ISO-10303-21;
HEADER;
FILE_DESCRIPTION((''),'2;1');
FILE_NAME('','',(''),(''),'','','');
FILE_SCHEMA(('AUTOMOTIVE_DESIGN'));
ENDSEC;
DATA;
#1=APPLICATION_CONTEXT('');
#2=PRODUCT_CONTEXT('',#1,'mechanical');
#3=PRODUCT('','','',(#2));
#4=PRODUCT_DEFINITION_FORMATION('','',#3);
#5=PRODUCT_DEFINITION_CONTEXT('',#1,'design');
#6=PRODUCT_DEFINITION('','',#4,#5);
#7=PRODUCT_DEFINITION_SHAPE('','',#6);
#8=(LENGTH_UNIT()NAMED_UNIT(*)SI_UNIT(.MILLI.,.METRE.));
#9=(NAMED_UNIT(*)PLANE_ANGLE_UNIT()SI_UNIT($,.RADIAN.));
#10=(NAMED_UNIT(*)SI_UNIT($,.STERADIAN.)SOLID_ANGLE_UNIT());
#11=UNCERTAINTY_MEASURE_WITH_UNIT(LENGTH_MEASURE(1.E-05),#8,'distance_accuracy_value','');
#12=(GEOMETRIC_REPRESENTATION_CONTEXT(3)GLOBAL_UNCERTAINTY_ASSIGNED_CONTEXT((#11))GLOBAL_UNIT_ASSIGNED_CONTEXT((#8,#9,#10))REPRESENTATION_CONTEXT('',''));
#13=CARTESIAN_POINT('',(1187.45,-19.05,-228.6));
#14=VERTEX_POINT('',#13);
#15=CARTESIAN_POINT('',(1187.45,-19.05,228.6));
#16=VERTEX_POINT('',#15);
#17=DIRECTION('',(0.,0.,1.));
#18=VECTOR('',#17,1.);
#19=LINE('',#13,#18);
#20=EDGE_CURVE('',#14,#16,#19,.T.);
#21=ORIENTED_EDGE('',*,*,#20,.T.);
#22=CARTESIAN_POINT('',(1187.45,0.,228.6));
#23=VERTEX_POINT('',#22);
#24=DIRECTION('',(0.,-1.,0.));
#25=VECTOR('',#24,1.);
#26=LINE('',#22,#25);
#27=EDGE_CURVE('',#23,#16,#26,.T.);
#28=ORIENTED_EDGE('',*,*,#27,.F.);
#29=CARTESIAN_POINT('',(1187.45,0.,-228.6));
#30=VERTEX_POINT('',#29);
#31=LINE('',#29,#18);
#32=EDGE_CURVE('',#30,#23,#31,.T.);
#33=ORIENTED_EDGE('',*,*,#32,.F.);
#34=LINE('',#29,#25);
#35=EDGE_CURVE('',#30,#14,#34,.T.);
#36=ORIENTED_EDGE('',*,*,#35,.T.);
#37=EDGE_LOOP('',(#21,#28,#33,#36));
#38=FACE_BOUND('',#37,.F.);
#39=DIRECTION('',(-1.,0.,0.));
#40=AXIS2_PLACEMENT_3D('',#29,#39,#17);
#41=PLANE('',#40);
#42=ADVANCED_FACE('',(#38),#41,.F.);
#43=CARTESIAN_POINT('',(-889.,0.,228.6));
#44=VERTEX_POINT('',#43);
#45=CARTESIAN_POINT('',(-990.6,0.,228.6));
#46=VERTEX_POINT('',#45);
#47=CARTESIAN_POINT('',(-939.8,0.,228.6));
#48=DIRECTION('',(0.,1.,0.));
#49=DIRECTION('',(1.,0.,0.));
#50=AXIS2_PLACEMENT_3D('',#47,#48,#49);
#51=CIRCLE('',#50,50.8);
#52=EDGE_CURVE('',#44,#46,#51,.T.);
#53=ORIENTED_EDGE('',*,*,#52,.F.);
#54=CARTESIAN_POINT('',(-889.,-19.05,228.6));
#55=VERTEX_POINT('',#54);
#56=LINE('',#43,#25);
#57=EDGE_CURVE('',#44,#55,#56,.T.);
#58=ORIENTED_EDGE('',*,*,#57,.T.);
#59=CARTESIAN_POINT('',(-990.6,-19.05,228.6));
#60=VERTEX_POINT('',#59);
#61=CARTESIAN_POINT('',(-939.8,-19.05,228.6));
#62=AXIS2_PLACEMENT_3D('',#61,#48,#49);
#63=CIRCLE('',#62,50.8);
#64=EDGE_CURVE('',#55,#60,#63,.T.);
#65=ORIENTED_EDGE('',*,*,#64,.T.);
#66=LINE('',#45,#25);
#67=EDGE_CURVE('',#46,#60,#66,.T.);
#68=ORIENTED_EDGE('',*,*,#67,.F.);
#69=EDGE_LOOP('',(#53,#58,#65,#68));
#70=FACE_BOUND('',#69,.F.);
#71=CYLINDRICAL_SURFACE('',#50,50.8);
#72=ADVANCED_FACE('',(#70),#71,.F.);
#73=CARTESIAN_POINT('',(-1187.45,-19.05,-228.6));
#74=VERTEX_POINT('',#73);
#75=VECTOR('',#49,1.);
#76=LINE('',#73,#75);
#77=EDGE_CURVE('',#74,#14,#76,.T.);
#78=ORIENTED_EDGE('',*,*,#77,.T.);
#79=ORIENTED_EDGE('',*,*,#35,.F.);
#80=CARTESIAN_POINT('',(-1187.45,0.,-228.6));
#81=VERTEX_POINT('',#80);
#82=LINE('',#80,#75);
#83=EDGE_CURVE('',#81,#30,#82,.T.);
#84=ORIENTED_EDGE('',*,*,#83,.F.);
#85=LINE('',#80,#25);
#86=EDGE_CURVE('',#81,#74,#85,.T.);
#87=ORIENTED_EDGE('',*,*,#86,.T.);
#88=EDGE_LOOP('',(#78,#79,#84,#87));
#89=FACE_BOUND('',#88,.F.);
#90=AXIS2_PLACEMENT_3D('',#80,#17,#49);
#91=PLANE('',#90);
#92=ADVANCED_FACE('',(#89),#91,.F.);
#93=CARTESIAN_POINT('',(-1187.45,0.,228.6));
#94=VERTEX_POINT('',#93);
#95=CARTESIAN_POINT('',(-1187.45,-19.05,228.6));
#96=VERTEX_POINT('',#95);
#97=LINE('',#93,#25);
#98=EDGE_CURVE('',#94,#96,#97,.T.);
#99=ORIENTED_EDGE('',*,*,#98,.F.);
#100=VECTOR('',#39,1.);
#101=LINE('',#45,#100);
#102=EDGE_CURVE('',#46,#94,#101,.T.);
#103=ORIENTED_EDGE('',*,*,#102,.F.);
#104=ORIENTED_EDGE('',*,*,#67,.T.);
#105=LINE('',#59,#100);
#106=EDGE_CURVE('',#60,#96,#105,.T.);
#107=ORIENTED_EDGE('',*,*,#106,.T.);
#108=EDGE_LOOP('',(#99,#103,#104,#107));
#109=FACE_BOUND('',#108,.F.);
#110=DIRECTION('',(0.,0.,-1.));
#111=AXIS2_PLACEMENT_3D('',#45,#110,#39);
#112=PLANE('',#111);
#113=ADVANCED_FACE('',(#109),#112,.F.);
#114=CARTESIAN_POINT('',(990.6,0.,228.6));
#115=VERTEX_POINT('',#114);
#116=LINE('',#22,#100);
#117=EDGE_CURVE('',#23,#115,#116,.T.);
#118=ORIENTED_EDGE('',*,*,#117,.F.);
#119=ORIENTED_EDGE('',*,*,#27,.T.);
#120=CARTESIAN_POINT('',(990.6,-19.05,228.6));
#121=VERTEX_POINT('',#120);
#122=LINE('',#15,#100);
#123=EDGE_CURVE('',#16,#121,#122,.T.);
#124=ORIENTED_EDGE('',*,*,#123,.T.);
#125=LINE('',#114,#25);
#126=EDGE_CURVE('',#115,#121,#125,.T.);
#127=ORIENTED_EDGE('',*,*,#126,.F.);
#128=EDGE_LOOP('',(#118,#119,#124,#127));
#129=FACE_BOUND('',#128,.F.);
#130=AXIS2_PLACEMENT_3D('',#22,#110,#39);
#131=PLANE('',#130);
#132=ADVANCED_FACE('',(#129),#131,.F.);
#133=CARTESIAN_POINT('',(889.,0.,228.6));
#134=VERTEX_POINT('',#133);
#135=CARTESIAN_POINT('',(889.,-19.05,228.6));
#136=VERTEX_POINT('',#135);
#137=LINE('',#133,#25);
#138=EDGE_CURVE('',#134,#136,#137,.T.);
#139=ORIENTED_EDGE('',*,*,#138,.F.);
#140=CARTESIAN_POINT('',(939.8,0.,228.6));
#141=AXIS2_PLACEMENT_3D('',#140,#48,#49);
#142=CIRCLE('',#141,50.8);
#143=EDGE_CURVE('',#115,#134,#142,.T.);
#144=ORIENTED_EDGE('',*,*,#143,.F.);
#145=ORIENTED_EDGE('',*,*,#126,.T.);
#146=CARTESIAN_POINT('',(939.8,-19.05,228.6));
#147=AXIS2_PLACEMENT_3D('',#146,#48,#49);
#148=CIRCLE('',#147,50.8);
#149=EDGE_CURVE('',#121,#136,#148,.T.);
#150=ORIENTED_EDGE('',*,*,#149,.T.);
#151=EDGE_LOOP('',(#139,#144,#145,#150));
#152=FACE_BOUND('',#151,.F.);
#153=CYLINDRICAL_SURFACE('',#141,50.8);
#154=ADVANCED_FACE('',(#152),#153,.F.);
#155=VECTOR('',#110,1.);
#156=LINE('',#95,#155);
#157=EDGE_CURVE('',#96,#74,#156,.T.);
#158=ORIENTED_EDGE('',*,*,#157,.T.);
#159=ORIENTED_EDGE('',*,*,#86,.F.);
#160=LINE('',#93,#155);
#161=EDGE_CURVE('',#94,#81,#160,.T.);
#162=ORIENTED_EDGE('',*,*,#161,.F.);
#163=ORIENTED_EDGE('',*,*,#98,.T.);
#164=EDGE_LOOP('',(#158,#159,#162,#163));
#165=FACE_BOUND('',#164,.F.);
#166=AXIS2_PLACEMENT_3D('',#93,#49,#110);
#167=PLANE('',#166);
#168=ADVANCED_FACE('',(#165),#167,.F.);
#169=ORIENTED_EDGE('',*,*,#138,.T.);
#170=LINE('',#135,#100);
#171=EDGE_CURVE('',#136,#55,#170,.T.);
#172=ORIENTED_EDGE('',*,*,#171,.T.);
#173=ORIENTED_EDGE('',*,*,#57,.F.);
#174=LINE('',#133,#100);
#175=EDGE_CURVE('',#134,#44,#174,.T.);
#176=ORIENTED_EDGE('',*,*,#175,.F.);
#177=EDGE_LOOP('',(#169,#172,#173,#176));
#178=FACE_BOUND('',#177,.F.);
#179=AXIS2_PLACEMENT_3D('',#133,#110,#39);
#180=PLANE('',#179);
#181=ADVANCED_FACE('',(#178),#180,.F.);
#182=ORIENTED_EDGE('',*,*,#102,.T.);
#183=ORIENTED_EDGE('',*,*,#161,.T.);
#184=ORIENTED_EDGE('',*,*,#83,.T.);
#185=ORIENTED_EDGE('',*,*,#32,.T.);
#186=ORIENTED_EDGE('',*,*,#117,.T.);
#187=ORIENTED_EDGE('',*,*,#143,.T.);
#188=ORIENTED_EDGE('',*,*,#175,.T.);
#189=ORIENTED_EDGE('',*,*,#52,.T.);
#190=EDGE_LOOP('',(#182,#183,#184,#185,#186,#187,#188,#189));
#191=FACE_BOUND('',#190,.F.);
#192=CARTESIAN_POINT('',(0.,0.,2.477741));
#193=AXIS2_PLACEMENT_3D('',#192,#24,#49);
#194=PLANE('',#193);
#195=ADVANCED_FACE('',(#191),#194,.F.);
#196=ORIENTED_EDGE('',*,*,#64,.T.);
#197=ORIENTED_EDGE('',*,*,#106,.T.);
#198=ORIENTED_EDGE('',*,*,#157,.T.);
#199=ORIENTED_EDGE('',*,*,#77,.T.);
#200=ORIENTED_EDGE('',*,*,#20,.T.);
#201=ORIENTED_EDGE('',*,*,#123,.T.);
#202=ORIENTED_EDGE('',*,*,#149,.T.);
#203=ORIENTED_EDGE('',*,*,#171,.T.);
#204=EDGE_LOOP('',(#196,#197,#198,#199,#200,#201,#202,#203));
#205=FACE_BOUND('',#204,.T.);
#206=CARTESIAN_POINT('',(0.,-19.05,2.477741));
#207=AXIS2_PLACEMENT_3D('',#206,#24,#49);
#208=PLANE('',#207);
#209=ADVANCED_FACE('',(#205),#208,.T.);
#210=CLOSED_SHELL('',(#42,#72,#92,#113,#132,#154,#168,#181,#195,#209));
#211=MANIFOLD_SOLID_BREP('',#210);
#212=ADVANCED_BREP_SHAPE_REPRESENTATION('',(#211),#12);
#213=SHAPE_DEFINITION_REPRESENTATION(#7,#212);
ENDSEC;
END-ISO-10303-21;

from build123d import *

# Parameters (mm, degrees)
F1_DEPTH = 19.05


with BuildPart() as f1:
    # F0 (on Front) → F1 (new body)
    with BuildSketch(Plane.XZ):
        with BuildLine():
            Line((1187.45, -228.6), (1187.45, 228.6))
            Line((1187.45, 228.6), (990.6, 228.6))
            ThreePointArc((990.6, 228.6), (939.8, 177.8), (889, 228.6))
            Line((889, 228.6), (-889, 228.6))
            ThreePointArc((-889, 228.6), (-939.8, 177.8), (-990.6, 228.6))
            Line((-990.6, 228.6), (-1187.45, 228.6))
            Line((-1187.45, 228.6), (-1187.45, -228.6))
            Line((-1187.45, -228.6), (1187.45, -228.6))
        make_face()
    extrude(amount=F1_DEPTH)


solid = f1.part
